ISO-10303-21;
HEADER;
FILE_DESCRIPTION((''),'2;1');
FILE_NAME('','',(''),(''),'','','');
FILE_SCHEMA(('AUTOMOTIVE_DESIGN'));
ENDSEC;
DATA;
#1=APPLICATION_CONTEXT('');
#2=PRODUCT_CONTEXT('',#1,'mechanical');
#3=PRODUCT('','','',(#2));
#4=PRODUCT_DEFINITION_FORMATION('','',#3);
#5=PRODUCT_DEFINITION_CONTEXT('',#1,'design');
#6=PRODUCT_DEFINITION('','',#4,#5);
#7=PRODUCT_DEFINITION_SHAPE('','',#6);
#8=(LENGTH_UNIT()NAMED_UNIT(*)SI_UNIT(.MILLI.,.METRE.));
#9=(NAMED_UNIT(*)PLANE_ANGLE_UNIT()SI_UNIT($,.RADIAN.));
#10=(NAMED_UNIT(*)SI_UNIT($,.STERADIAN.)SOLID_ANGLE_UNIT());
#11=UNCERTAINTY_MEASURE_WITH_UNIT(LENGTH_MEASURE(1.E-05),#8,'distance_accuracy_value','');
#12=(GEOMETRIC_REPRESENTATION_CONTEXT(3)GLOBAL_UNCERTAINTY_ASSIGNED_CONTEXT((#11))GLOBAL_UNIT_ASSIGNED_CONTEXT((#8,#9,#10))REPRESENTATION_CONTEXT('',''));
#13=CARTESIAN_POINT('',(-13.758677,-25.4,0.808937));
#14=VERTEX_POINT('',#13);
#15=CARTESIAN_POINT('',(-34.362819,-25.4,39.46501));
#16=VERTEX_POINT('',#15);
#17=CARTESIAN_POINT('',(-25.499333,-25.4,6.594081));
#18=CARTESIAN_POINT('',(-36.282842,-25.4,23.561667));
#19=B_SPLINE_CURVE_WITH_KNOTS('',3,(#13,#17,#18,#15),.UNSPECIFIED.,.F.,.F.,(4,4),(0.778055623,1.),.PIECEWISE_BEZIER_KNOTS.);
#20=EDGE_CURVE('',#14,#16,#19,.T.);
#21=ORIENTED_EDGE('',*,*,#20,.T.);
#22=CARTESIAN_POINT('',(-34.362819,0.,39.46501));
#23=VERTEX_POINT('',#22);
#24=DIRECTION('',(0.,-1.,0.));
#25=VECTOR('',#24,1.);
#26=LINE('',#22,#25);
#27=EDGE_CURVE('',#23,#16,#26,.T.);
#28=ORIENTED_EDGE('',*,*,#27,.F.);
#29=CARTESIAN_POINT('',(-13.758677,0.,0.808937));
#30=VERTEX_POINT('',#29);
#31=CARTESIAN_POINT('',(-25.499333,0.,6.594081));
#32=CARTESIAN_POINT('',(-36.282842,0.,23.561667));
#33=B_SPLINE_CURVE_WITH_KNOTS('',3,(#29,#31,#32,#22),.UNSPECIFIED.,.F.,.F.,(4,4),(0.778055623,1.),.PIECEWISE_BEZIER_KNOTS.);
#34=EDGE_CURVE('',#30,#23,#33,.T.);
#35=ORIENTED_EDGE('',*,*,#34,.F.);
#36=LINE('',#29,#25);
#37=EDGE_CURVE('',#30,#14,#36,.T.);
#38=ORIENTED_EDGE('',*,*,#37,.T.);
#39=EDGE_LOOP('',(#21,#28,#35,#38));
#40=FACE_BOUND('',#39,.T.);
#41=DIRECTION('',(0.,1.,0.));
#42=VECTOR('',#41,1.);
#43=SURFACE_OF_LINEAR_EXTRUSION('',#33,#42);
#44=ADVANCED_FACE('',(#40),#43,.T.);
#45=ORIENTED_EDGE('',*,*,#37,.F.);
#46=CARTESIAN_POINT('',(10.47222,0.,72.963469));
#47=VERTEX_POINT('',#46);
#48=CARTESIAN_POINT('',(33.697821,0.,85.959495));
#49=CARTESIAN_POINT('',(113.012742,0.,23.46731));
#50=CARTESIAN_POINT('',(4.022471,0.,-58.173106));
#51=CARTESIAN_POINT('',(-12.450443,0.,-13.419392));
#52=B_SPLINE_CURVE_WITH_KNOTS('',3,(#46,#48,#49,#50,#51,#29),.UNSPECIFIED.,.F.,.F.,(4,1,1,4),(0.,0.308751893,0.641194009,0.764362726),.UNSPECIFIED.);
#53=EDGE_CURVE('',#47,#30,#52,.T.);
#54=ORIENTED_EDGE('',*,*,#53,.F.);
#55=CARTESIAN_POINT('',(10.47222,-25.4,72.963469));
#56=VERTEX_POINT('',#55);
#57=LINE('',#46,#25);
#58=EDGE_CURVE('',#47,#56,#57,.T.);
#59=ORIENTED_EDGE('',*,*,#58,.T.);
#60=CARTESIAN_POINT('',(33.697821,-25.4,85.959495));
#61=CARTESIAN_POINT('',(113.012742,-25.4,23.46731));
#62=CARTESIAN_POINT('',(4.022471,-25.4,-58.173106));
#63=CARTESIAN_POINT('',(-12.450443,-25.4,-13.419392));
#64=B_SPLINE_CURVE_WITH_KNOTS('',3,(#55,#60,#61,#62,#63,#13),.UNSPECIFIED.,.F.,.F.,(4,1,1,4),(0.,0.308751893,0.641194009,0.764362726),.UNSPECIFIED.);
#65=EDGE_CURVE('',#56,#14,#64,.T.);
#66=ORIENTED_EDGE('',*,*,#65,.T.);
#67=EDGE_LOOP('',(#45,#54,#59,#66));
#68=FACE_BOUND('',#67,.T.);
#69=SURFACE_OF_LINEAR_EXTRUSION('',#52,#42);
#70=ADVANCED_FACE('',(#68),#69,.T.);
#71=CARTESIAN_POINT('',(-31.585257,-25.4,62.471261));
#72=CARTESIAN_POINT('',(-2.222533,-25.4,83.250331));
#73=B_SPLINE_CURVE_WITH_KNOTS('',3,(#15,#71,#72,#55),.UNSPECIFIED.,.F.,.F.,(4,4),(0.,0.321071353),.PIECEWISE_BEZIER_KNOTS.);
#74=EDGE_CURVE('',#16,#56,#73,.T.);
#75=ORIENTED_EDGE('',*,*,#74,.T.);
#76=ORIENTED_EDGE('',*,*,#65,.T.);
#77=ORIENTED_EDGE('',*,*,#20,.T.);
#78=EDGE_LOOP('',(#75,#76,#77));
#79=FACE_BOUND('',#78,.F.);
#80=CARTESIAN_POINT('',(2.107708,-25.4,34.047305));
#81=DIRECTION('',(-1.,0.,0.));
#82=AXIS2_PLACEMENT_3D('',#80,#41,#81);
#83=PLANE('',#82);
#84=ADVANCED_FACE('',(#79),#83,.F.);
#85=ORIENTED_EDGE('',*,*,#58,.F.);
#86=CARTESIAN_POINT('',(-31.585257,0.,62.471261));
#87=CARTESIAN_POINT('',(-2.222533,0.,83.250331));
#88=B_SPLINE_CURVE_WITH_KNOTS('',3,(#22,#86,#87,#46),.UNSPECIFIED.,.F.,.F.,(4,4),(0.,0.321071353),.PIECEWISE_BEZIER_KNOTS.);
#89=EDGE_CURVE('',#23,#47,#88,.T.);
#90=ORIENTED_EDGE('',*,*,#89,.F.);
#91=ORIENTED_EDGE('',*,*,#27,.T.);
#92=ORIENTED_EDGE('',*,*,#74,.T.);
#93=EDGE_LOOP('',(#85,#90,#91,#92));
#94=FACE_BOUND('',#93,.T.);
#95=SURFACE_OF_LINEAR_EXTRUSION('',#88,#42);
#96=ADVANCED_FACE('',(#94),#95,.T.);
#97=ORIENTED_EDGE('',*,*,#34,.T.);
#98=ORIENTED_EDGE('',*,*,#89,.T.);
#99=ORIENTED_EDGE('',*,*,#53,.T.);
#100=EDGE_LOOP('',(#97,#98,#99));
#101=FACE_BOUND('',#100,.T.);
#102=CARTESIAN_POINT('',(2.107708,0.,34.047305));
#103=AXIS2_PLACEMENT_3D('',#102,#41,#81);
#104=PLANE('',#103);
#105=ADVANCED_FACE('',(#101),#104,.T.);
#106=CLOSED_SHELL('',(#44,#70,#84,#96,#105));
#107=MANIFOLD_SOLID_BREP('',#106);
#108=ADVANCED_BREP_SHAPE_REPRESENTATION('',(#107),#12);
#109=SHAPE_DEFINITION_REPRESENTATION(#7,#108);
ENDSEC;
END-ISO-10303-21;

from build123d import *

# Parameters (mm, degrees)
F1_DEPTH = 25.4


with BuildPart() as f1:
    # F0 (on Front) → F1 (new body)
    with BuildSketch(Plane.XZ):
        with BuildLine():
            add(Edge.make_bspline(
                [(10.4722203687, 72.9634687304), (25.0410310258, 61.1580134488), (15.8837077573, -4.2272943308), (-9.0763187095, -1.4982690139), (-13.75867656, 0.8089371653)],
                knots=[0.3210713529, 0.3210713529, 0.3210713529, 0.3210713529, 0.6895407228, 0.7780556229, 0.7780556229, 0.7780556229, 0.7780556229], degree=3))
            add(Edge.make_bspline(
                [(-13.7586765603, 0.8089371652), (-16.2614916949, 28.0295236739), (-7.2533946878, 63.0449931748), (10.4722203687, 72.9634687304)],
                knots=[0.7643627262, 0.7643627262, 0.7643627262, 0.7643627262, 1, 1, 1, 1], degree=3))
        make_face()
        with BuildLine():
            add(Edge.make_bspline(
                [(-13.7586765603, 0.8089371652), (-16.2614916949, 28.0295236739), (-7.2533946878, 63.0449931748), (10.4722203687, 72.9634687304)],
                knots=[0.7643627262, 0.7643627262, 0.7643627262, 0.7643627262, 1, 1, 1, 1], degree=3))
            add(Edge.make_bspline(
                [(-34.3628190458, 39.4650101662), (-31.585256878, 62.4712606678), (-2.2225329237, 83.2503305637), (10.4722203687, 72.9634687304)],
                knots=[0, 0, 0, 0, 0.3210713529, 0.3210713529, 0.3210713529, 0.3210713529], degree=3))
            add(Edge.make_bspline(
                [(-13.75867656, 0.8089371653), (-25.4993325922, 6.594081106), (-36.2828418057, 23.5616669048), (-34.3628190458, 39.4650101662)],
                knots=[0.7780556229, 0.7780556229, 0.7780556229, 0.7780556229, 1, 1, 1, 1], degree=3))
        make_face()
        with BuildLine():
            add(Edge.make_bspline(
                [(10.4722203687, 72.9634687304), (33.6978209237, 85.9594945742), (113.0127416151, 23.4673098763), (4.022471322, -58.1731063218), (-12.4504432583, -13.4193920775), (-13.7586765603, 0.8089371652)],
                knots=[0, 0, 0, 0, 0.3087518927, 0.6411940093, 0.7643627262, 0.7643627262, 0.7643627262, 0.7643627262], degree=3))
            add(Edge.make_bspline(
                [(10.4722203687, 72.9634687304), (25.0410310258, 61.1580134488), (15.8837077573, -4.2272943308), (-9.0763187095, -1.4982690139), (-13.75867656, 0.8089371653)],
                knots=[0.3210713529, 0.3210713529, 0.3210713529, 0.3210713529, 0.6895407228, 0.7780556229, 0.7780556229, 0.7780556229, 0.7780556229], degree=3))
        make_face()
    extrude(amount=F1_DEPTH)


solid = f1.part
